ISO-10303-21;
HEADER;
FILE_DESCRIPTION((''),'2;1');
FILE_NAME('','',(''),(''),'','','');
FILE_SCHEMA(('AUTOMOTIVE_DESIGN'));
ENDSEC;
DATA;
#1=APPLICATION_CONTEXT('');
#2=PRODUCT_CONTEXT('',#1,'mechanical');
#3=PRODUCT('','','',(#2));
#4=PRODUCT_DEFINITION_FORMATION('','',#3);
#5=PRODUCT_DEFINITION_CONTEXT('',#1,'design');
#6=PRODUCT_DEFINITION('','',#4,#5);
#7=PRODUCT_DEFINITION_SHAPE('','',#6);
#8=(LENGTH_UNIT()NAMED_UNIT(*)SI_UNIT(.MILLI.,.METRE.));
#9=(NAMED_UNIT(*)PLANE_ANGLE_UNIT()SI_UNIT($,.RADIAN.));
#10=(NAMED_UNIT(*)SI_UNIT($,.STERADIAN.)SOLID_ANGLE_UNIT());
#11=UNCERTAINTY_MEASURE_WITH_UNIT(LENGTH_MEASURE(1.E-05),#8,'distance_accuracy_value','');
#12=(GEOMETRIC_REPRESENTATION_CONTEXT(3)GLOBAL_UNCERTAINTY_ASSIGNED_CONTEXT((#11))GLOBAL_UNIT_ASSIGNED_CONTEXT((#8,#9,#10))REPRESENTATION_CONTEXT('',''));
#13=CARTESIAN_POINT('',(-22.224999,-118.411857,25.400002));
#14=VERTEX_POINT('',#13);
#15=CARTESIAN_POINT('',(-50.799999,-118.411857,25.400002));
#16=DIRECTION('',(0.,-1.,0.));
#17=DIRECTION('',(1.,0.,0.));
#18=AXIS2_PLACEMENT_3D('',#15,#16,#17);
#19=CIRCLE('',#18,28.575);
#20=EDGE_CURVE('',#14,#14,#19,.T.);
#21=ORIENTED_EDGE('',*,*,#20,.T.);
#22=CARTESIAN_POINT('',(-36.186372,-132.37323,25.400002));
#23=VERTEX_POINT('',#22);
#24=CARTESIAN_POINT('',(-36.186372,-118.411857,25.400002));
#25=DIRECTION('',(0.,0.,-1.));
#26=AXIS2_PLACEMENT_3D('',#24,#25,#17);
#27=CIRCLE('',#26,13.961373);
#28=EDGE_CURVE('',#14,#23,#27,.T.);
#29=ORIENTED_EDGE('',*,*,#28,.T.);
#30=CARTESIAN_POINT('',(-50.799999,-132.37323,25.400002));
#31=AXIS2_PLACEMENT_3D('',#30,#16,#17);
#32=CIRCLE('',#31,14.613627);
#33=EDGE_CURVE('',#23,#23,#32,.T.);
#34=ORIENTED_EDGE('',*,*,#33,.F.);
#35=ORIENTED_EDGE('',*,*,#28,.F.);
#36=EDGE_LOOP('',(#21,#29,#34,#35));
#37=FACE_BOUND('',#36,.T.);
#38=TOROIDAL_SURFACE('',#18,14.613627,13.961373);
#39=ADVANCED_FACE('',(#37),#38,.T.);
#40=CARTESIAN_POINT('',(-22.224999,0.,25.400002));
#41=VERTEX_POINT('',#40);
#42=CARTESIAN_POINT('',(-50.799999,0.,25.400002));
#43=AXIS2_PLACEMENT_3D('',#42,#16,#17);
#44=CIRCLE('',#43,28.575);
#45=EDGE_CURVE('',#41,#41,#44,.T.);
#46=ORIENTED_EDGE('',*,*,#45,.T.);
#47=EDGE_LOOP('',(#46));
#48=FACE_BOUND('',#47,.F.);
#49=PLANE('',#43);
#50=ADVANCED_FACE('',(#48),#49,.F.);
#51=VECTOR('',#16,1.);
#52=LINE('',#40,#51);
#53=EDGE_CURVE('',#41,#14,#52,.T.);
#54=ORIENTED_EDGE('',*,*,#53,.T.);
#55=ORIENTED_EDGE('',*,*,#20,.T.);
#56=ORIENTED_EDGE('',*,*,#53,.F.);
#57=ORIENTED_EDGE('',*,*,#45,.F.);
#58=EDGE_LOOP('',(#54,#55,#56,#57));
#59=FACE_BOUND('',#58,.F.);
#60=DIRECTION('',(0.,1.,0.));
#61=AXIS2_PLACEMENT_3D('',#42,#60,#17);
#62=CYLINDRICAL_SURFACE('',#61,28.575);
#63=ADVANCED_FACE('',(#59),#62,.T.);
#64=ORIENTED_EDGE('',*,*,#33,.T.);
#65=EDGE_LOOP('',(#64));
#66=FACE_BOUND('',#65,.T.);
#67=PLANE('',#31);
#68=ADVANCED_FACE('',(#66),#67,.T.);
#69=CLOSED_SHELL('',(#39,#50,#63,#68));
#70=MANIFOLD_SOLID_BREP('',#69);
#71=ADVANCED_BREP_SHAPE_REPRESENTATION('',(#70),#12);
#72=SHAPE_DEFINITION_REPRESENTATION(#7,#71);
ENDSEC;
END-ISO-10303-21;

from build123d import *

# Parameters (mm, degrees)
F0_R     = 28.575
F1_DEPTH = 132.37323
F2_R     = 20.952387
F3_DEPTH = 17.41577
F4_R     = 13.961373


with BuildPart() as f1:
    # F0 (on Front) → F1 (new body)
    with BuildSketch(Plane.XZ):
        with Locations((-50.799999, 25.400002)):
            Circle(F0_R)
    extrude(amount=F1_DEPTH)

    # F2 (on face) → F3 (join)
    with BuildSketch(Plane.XZ.offset(132.37323)):
        with Locations((-50.799999, 25.400002)):
            Circle(F2_R)
    extrude(amount=-F3_DEPTH)

    # F4
    f4_edges = [f1.edges().sort_by_distance(p)[0] for p in [
        (-79.374999, -132.37323, 25.400002),
    ]]
    fillet(f4_edges, radius=F4_R)


solid = f1.part
